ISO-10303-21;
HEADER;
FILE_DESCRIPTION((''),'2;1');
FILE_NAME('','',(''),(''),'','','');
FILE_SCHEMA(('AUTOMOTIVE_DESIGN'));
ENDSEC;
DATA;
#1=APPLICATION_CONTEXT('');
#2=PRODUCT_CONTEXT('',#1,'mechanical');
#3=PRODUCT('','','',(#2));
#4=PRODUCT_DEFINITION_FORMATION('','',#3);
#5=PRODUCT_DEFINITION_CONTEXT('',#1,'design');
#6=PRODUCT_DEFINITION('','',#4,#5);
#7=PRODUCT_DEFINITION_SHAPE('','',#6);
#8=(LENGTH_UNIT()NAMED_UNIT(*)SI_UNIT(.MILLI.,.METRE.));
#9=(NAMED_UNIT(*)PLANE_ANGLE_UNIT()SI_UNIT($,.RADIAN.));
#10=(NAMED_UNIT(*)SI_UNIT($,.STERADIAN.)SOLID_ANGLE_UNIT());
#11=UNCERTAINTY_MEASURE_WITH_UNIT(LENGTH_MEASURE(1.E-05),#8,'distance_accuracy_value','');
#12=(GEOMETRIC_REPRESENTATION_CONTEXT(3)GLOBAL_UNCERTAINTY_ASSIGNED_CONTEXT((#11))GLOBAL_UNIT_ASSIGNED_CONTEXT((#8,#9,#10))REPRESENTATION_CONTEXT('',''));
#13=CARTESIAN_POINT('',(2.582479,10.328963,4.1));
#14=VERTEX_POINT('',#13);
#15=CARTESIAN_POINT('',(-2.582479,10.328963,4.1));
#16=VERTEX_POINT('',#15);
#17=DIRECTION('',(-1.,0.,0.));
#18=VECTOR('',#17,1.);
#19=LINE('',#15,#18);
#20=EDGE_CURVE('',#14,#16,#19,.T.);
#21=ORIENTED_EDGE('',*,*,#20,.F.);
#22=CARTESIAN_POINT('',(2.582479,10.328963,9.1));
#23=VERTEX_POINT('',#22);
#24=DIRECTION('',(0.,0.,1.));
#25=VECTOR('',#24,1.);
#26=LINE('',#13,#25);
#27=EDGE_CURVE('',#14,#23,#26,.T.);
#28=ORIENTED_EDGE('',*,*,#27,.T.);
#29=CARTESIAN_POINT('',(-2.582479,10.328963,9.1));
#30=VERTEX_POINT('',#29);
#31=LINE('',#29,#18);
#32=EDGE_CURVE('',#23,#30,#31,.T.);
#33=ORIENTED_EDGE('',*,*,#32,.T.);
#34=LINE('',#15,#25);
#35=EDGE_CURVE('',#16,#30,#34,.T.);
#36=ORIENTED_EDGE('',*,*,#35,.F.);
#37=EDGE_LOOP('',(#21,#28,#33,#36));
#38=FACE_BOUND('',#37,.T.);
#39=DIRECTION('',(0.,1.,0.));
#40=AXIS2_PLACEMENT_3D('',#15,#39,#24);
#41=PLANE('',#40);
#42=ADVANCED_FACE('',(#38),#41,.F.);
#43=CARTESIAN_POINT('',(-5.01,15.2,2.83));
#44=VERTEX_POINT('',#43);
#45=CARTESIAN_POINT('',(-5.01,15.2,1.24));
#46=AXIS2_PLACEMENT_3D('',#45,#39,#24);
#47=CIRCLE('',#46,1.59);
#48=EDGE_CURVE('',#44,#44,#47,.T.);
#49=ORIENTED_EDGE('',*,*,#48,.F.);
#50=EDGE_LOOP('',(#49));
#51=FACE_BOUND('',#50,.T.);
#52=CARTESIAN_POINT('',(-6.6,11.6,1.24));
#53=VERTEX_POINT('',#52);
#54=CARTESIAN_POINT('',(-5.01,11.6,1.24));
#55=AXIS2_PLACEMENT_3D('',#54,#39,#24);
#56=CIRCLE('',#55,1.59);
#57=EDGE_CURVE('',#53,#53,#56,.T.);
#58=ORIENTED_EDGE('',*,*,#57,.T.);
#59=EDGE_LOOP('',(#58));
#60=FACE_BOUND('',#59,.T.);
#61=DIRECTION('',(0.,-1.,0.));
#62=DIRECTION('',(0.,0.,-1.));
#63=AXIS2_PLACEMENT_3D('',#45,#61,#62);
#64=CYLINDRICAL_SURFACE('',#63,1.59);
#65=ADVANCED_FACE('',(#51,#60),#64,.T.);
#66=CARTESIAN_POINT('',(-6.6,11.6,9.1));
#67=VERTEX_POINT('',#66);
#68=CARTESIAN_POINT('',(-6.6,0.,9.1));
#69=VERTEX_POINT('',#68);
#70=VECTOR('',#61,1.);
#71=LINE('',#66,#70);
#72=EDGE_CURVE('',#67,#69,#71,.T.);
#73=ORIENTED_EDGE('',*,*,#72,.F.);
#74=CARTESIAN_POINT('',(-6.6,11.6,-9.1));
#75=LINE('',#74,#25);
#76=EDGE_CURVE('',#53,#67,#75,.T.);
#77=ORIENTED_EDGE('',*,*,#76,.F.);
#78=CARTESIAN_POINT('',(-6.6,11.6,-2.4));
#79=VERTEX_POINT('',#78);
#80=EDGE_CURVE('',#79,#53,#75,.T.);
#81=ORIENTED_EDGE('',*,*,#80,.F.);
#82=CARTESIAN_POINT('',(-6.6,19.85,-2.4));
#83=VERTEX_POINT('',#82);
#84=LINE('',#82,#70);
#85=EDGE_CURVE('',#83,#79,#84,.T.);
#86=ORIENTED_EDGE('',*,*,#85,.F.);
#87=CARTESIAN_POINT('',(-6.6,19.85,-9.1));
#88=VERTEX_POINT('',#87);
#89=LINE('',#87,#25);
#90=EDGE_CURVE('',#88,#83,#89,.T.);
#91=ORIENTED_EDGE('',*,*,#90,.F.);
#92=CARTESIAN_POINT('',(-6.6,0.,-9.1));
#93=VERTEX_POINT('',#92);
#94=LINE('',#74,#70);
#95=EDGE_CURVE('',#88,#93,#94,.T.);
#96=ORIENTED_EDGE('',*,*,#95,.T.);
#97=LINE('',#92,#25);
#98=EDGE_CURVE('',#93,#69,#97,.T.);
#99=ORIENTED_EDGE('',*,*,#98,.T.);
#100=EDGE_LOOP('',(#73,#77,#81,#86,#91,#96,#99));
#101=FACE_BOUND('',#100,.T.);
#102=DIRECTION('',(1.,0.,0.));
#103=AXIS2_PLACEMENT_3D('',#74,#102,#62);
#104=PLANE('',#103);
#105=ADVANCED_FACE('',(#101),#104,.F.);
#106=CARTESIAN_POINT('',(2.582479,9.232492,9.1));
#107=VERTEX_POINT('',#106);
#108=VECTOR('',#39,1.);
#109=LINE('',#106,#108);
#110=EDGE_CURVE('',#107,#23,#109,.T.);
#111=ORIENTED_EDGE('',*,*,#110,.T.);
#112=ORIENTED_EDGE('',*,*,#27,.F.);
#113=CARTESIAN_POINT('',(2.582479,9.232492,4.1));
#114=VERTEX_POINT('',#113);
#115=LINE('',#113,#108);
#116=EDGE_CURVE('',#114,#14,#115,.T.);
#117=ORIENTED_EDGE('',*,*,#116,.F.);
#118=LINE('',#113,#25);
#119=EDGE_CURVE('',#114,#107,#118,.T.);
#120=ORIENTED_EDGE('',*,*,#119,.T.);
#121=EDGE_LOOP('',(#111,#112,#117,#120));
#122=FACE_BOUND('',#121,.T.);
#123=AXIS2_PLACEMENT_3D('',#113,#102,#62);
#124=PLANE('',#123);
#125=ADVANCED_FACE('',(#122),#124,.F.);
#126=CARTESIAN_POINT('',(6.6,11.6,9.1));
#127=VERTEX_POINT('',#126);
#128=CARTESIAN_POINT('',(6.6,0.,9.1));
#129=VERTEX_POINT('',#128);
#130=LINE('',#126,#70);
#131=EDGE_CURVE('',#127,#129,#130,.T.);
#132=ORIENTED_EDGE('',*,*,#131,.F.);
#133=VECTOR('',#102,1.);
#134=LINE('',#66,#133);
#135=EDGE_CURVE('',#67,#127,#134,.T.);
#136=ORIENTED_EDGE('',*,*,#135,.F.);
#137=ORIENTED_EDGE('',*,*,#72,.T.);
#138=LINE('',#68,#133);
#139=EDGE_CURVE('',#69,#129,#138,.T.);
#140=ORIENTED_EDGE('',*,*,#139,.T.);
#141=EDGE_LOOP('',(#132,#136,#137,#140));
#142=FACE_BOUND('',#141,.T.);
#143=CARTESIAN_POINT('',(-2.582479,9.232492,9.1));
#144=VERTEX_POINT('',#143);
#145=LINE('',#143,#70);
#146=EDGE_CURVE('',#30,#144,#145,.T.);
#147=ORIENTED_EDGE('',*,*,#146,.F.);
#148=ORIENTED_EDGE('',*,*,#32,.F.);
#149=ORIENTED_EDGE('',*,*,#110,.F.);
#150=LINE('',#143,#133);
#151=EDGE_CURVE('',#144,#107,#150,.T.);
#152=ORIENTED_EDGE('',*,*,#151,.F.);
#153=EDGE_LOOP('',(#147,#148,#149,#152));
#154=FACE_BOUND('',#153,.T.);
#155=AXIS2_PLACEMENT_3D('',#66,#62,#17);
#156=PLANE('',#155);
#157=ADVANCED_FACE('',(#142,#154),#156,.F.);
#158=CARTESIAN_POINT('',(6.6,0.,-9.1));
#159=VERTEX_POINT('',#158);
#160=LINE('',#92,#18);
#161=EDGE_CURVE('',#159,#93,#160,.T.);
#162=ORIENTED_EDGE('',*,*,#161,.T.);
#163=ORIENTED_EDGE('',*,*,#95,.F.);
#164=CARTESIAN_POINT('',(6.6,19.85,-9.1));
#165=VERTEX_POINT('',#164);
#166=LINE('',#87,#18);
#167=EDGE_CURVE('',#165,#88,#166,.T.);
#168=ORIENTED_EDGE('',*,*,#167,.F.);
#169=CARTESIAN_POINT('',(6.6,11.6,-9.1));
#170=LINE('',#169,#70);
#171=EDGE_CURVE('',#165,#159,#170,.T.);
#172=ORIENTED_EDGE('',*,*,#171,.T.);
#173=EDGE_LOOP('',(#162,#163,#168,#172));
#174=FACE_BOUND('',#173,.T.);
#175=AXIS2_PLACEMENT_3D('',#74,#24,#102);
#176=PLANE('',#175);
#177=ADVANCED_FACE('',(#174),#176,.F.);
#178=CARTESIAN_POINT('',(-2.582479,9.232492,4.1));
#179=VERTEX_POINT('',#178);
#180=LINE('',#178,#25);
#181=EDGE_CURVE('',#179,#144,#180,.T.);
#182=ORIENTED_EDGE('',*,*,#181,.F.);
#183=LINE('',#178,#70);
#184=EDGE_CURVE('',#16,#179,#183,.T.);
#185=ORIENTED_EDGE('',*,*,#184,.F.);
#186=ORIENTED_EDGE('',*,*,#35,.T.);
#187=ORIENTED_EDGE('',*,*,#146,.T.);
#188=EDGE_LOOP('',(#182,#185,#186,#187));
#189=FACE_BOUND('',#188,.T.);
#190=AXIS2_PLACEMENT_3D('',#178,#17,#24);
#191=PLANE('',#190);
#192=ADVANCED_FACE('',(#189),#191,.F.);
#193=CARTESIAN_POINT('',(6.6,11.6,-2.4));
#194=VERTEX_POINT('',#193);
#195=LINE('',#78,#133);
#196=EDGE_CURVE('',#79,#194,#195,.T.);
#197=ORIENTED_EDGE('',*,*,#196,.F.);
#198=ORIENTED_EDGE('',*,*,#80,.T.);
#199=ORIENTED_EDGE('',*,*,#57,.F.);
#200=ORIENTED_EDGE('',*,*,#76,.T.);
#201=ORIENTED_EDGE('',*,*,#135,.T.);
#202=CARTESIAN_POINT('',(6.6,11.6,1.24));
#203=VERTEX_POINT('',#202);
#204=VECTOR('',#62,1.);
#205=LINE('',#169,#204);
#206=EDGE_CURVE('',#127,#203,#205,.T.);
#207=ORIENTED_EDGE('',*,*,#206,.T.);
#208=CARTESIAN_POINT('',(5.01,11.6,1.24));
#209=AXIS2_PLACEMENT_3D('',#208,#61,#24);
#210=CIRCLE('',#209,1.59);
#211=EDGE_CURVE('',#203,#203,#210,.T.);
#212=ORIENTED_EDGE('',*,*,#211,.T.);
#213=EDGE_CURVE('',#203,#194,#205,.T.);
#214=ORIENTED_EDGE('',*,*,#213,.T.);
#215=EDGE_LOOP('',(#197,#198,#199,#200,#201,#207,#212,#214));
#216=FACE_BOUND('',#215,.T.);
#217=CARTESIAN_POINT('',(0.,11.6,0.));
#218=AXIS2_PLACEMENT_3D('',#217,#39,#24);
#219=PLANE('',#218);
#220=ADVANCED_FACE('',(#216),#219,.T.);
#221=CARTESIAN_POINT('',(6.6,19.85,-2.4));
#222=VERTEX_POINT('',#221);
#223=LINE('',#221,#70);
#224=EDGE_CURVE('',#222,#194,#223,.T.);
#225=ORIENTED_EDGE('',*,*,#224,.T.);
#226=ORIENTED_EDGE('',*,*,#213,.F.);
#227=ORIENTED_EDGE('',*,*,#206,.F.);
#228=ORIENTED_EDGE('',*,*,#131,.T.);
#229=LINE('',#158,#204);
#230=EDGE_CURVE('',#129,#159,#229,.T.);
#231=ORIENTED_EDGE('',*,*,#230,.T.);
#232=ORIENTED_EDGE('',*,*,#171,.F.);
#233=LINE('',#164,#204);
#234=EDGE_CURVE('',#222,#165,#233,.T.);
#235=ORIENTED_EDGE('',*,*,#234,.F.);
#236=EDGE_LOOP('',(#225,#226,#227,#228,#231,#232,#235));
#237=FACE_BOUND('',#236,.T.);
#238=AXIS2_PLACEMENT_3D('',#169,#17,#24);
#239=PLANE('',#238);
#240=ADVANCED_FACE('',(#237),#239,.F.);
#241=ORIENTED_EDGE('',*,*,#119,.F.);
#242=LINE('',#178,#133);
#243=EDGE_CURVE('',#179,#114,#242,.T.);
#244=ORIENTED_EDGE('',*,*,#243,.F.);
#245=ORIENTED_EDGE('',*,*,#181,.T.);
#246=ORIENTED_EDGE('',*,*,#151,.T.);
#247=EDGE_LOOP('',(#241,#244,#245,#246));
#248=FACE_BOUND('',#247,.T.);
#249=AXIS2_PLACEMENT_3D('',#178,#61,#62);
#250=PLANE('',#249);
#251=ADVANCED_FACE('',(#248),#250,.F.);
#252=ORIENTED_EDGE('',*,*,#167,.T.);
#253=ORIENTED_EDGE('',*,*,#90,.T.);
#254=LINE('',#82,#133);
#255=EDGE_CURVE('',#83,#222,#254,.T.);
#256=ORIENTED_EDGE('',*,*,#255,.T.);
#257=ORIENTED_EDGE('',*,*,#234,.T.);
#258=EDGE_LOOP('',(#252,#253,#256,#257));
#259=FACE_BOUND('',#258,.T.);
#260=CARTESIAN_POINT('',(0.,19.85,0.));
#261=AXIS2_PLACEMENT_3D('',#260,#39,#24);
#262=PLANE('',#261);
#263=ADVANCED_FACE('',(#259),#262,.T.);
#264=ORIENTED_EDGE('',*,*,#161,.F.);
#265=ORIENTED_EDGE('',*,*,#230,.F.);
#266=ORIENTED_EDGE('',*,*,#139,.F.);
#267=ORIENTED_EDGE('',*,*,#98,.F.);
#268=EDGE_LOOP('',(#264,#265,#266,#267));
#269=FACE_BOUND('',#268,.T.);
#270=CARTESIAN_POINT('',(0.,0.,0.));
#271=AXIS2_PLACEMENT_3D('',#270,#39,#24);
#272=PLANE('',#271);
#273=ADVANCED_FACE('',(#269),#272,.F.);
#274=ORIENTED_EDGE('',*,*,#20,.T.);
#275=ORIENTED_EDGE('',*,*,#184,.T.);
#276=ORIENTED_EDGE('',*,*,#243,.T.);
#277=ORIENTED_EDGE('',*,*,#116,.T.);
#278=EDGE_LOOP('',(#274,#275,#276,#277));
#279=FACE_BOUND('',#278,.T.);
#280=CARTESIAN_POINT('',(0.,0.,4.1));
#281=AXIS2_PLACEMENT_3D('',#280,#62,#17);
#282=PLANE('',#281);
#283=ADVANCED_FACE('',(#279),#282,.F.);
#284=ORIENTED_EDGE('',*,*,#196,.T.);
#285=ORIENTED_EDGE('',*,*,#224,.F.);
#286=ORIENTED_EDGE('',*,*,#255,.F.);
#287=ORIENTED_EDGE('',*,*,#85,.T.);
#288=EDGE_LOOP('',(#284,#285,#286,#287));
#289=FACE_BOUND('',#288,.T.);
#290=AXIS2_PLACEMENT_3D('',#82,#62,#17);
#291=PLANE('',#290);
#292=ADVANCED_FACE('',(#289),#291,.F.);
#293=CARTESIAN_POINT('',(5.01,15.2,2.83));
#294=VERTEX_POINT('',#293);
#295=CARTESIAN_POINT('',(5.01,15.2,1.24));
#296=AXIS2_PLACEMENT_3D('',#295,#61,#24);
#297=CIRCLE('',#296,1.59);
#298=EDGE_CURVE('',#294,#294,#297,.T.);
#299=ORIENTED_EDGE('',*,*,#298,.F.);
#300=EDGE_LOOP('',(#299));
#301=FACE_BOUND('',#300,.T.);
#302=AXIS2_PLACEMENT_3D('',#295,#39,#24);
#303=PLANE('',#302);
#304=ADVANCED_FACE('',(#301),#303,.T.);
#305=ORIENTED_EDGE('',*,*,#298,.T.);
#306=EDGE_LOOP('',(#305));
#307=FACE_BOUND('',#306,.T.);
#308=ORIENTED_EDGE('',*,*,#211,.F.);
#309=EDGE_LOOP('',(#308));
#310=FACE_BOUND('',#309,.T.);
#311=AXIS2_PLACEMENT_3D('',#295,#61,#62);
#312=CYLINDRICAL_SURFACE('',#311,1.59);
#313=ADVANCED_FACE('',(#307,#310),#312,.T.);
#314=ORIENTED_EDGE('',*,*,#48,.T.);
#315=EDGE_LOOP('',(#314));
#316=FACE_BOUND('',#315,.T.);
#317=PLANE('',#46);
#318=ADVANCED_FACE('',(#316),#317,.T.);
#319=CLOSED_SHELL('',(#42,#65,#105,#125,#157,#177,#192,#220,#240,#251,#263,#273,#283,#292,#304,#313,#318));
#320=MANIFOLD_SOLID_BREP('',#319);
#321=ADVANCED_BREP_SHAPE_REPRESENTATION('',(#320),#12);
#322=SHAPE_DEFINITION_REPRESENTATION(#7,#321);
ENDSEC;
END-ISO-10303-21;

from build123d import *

# Parameters (mm, degrees)
SKETCH1_W           = 13.2
SKETCH1_H           = 18.2
BOSS_EXTRUDE1_DEPTH = 11.6
SKETCH2_R           = 1.59
BOSS_EXTRUDE2_DEPTH = 3.6
SKETCH3_W           = 13.2
SKETCH3_H           = 6.7
BOSS_EXTRUDE3_DEPTH = 8.25
SKETCH4_W           = 5.164958048
SKETCH4_H           = 1.096471541
CUT_EXTRUDE1_DEPTH  = 5


with BuildPart() as part:
    # Sketch1 → Boss-Extrude1 (new body)
    with BuildSketch(Plane(origin=(0, 0, 0), x_dir=(1, 0, 0), z_dir=(0, 1, 0))):
        Rectangle(SKETCH1_W, SKETCH1_H)
    extrude(amount=BOSS_EXTRUDE1_DEPTH)

    # Sketch2 → Boss-Extrude2 (add)
    with BuildSketch(Plane(origin=(0, 11.6, 0), x_dir=(1, 0, 0), z_dir=(0, 1, 0))):
        with Locations((-5.01, -1.24)):
            Circle(SKETCH2_R)
    boss_extrude2 = extrude(amount=BOSS_EXTRUDE2_DEPTH)

    # Mirror1: Boss-Extrude2 across plane
    add(boss_extrude2.mirror(Plane(origin=(0, 0, 0), x_dir=(0, 0, 1), z_dir=(1, 0, 0))))

    # Sketch3 → Boss-Extrude3 (add)
    with BuildSketch(Plane(origin=(0, 11.6, 0), x_dir=(1, 0, 0), z_dir=(0, 1, 0))):
        with Locations((0, 5.75)):
            Rectangle(SKETCH3_W, SKETCH3_H)
    extrude(amount=BOSS_EXTRUDE3_DEPTH)

    # Sketch4 → Cut-Extrude1 (cut)
    with BuildSketch(Plane.XY.offset(9.1)):
        with Locations((0, 9.780727429)):
            Rectangle(SKETCH4_W, SKETCH4_H)
    extrude(amount=-CUT_EXTRUDE1_DEPTH, mode=Mode.SUBTRACT)


solid = part.part
